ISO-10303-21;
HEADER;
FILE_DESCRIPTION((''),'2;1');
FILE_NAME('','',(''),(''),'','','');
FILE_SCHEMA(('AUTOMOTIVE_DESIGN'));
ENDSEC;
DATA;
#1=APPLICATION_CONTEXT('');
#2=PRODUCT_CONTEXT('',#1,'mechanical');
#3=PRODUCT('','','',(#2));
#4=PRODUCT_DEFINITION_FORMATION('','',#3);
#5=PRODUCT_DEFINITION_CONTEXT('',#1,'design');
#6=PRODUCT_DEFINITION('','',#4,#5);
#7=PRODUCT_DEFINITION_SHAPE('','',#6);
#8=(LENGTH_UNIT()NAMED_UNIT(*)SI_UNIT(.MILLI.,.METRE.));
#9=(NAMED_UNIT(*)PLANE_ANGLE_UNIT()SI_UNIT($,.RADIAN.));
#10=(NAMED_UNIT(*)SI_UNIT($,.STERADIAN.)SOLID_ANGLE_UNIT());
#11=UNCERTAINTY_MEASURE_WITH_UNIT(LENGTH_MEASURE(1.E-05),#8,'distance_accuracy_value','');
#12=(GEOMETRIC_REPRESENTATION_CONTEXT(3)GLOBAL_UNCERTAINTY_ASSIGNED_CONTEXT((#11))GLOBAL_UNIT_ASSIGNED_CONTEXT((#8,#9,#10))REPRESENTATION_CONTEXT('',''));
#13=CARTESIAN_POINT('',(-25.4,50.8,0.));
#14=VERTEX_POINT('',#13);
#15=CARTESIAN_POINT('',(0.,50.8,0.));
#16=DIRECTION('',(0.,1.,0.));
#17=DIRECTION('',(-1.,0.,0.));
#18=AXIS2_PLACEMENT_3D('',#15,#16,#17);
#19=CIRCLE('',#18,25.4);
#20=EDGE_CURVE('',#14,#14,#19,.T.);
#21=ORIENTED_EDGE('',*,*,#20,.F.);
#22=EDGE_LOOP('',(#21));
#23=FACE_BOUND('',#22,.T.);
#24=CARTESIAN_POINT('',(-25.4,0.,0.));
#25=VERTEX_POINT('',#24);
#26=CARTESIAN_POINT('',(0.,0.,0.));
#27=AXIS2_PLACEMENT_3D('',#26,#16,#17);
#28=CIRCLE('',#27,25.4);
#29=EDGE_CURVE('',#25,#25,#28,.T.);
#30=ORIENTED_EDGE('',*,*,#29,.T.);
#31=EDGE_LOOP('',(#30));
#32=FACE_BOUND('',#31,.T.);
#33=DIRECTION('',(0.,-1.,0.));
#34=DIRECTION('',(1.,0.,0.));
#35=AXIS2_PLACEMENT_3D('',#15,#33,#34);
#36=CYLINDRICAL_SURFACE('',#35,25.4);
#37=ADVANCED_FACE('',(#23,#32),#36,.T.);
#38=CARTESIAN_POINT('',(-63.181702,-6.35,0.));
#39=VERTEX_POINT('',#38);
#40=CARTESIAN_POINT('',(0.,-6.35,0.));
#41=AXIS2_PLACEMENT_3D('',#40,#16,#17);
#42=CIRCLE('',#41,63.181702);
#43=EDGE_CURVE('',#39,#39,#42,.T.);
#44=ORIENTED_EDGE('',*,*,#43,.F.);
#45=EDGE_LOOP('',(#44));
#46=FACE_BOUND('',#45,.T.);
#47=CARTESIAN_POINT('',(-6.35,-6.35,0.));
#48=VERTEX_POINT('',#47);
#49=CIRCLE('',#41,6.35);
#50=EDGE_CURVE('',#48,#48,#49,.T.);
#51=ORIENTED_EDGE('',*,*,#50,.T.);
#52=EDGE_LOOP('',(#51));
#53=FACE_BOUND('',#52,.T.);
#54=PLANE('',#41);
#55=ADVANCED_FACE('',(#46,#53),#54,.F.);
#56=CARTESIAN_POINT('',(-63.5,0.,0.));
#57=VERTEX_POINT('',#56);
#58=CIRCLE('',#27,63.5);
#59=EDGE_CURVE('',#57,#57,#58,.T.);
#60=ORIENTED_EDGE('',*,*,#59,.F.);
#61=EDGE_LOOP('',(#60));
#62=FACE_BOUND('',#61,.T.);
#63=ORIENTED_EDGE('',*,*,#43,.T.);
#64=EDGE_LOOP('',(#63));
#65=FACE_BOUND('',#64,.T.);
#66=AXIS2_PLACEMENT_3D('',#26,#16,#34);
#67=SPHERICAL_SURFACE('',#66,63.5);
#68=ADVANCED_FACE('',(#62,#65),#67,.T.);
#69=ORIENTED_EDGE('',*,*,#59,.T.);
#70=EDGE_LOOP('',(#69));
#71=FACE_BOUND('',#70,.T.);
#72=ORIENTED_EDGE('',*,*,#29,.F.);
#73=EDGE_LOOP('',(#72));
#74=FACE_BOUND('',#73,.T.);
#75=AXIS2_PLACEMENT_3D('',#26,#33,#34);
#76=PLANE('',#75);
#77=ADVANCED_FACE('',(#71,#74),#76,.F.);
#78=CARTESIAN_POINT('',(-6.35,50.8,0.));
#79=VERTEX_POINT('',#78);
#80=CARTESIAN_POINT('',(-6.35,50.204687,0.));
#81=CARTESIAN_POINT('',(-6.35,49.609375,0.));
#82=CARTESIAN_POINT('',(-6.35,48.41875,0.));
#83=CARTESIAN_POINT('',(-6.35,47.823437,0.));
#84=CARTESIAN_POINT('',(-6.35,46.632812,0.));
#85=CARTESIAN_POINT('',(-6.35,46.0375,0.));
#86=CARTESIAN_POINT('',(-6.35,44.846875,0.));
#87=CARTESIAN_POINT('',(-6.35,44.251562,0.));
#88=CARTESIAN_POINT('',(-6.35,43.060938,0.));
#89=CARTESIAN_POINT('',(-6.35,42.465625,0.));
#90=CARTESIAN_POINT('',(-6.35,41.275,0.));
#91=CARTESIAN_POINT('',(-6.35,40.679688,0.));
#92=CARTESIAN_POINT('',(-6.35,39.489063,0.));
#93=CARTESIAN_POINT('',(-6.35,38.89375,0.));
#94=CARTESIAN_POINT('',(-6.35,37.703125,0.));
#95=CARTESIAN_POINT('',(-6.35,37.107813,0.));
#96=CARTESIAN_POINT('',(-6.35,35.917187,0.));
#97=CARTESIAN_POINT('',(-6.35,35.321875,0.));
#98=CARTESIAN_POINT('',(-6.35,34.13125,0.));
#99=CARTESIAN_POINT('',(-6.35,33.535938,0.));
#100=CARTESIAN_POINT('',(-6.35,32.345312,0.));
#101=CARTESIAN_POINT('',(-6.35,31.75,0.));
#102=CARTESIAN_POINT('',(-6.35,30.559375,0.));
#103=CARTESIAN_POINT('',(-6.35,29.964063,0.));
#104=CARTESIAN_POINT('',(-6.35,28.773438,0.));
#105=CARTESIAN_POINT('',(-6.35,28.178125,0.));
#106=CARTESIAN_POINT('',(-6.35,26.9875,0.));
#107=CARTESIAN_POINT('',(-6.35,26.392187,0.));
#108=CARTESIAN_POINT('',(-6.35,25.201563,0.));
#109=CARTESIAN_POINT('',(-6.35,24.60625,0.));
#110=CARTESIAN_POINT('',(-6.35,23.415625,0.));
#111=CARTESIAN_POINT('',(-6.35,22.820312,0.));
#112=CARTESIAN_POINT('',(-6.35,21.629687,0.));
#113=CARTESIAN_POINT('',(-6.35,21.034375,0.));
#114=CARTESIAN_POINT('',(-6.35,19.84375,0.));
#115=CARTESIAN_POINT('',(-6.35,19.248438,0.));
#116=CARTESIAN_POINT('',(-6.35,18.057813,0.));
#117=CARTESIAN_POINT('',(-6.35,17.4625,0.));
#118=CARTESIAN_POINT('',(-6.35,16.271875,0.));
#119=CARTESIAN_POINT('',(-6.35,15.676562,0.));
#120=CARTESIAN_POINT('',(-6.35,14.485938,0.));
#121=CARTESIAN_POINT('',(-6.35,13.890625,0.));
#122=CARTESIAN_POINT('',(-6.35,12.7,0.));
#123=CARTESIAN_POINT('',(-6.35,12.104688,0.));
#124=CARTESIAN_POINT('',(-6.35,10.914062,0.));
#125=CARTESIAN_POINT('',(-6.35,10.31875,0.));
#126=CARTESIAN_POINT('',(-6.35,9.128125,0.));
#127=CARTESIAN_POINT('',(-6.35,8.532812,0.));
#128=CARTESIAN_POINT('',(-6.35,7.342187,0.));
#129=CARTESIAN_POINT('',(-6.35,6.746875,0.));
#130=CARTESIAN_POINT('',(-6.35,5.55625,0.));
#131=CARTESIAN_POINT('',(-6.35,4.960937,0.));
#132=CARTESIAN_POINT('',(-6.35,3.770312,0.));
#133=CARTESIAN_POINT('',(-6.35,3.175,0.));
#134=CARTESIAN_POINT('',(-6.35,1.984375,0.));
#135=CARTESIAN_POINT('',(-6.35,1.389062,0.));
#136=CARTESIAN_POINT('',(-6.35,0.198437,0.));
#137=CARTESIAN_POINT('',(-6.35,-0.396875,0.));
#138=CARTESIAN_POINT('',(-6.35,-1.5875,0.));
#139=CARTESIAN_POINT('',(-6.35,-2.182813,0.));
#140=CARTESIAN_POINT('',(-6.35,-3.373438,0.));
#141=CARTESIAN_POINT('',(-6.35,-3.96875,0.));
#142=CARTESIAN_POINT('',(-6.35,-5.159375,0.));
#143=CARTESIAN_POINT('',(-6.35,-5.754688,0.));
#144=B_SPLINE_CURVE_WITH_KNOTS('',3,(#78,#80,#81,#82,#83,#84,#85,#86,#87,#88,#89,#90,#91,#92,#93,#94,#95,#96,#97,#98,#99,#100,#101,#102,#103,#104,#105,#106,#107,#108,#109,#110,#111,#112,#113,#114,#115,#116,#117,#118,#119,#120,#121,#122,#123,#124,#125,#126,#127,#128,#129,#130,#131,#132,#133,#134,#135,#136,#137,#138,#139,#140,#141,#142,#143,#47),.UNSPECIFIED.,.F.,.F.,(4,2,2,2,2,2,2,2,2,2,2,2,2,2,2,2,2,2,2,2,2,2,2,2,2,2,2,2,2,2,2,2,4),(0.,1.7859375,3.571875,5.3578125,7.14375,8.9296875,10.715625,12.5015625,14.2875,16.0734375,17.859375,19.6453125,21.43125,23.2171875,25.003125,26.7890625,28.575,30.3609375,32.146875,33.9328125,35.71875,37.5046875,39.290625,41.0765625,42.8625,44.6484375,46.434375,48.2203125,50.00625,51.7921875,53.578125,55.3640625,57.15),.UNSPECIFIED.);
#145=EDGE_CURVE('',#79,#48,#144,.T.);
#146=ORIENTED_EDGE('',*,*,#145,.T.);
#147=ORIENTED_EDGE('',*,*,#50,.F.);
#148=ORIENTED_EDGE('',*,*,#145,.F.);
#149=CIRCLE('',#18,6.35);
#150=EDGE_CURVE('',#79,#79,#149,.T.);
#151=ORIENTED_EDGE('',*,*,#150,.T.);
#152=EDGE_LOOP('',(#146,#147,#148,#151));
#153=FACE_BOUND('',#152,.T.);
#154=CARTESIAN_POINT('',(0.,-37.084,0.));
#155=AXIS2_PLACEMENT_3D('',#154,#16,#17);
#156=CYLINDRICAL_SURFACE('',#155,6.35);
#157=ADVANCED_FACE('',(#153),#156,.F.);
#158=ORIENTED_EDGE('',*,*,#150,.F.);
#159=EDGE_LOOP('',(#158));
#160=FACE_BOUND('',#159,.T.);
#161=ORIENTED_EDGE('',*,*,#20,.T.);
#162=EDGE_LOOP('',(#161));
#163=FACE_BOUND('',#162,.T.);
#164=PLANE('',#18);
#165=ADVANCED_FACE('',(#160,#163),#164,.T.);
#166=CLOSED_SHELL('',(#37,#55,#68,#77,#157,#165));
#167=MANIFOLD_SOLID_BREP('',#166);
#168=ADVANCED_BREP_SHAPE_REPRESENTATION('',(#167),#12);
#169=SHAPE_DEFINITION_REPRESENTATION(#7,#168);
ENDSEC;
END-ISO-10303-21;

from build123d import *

# Parameters (mm, degrees)
SKETCH2_R           = 25.4
BOSS_EXTRUDE1_DEPTH = 50.8
SKETCH4_R           = 6.35
CUT_EXTRUDE1_DEPTH  = 87.884


with BuildPart() as part:
    # Sketch1 → Revolve2 (revolve)
    with BuildSketch(Plane.XY, mode=Mode.PRIVATE) as revolve2_sk:
        with BuildLine():
            Line((0, 0), (63.5, 0))
            ThreePointArc((63.5, 0), (63.420375643, -3.178986216), (63.181702256, -6.35))
            Line((63.181702256, -6.35), (0, -6.35))
            Line((0, -6.35), (0, 0))
        make_face()
    revolve(revolve2_sk.sketch.rotate(Axis((0, 0, 0), (0, -1, 0)), 180), axis=Axis((0, 0, 0), (0, -1, 0)))

    # Sketch2 → Boss-Extrude1 (add)
    with BuildSketch(Plane(origin=(0, 0, 0), x_dir=(1, 0, 0), z_dir=(0, 1, 0))):
        with Locations(Location((0, 0, 0), (0, 0, 180))):
            Circle(SKETCH2_R)
    extrude(amount=BOSS_EXTRUDE1_DEPTH)

    # Sketch4 → Cut-Extrude1 (cut)
    with BuildSketch(Plane(origin=(0, 50.8, 0), x_dir=(1, 0, 0), z_dir=(0, 1, 0))):
        with Locations(Location((0, 0, 0), (0, 0, 180))):
            Circle(SKETCH4_R)
    extrude(amount=-CUT_EXTRUDE1_DEPTH, mode=Mode.SUBTRACT)


solid = part.part
